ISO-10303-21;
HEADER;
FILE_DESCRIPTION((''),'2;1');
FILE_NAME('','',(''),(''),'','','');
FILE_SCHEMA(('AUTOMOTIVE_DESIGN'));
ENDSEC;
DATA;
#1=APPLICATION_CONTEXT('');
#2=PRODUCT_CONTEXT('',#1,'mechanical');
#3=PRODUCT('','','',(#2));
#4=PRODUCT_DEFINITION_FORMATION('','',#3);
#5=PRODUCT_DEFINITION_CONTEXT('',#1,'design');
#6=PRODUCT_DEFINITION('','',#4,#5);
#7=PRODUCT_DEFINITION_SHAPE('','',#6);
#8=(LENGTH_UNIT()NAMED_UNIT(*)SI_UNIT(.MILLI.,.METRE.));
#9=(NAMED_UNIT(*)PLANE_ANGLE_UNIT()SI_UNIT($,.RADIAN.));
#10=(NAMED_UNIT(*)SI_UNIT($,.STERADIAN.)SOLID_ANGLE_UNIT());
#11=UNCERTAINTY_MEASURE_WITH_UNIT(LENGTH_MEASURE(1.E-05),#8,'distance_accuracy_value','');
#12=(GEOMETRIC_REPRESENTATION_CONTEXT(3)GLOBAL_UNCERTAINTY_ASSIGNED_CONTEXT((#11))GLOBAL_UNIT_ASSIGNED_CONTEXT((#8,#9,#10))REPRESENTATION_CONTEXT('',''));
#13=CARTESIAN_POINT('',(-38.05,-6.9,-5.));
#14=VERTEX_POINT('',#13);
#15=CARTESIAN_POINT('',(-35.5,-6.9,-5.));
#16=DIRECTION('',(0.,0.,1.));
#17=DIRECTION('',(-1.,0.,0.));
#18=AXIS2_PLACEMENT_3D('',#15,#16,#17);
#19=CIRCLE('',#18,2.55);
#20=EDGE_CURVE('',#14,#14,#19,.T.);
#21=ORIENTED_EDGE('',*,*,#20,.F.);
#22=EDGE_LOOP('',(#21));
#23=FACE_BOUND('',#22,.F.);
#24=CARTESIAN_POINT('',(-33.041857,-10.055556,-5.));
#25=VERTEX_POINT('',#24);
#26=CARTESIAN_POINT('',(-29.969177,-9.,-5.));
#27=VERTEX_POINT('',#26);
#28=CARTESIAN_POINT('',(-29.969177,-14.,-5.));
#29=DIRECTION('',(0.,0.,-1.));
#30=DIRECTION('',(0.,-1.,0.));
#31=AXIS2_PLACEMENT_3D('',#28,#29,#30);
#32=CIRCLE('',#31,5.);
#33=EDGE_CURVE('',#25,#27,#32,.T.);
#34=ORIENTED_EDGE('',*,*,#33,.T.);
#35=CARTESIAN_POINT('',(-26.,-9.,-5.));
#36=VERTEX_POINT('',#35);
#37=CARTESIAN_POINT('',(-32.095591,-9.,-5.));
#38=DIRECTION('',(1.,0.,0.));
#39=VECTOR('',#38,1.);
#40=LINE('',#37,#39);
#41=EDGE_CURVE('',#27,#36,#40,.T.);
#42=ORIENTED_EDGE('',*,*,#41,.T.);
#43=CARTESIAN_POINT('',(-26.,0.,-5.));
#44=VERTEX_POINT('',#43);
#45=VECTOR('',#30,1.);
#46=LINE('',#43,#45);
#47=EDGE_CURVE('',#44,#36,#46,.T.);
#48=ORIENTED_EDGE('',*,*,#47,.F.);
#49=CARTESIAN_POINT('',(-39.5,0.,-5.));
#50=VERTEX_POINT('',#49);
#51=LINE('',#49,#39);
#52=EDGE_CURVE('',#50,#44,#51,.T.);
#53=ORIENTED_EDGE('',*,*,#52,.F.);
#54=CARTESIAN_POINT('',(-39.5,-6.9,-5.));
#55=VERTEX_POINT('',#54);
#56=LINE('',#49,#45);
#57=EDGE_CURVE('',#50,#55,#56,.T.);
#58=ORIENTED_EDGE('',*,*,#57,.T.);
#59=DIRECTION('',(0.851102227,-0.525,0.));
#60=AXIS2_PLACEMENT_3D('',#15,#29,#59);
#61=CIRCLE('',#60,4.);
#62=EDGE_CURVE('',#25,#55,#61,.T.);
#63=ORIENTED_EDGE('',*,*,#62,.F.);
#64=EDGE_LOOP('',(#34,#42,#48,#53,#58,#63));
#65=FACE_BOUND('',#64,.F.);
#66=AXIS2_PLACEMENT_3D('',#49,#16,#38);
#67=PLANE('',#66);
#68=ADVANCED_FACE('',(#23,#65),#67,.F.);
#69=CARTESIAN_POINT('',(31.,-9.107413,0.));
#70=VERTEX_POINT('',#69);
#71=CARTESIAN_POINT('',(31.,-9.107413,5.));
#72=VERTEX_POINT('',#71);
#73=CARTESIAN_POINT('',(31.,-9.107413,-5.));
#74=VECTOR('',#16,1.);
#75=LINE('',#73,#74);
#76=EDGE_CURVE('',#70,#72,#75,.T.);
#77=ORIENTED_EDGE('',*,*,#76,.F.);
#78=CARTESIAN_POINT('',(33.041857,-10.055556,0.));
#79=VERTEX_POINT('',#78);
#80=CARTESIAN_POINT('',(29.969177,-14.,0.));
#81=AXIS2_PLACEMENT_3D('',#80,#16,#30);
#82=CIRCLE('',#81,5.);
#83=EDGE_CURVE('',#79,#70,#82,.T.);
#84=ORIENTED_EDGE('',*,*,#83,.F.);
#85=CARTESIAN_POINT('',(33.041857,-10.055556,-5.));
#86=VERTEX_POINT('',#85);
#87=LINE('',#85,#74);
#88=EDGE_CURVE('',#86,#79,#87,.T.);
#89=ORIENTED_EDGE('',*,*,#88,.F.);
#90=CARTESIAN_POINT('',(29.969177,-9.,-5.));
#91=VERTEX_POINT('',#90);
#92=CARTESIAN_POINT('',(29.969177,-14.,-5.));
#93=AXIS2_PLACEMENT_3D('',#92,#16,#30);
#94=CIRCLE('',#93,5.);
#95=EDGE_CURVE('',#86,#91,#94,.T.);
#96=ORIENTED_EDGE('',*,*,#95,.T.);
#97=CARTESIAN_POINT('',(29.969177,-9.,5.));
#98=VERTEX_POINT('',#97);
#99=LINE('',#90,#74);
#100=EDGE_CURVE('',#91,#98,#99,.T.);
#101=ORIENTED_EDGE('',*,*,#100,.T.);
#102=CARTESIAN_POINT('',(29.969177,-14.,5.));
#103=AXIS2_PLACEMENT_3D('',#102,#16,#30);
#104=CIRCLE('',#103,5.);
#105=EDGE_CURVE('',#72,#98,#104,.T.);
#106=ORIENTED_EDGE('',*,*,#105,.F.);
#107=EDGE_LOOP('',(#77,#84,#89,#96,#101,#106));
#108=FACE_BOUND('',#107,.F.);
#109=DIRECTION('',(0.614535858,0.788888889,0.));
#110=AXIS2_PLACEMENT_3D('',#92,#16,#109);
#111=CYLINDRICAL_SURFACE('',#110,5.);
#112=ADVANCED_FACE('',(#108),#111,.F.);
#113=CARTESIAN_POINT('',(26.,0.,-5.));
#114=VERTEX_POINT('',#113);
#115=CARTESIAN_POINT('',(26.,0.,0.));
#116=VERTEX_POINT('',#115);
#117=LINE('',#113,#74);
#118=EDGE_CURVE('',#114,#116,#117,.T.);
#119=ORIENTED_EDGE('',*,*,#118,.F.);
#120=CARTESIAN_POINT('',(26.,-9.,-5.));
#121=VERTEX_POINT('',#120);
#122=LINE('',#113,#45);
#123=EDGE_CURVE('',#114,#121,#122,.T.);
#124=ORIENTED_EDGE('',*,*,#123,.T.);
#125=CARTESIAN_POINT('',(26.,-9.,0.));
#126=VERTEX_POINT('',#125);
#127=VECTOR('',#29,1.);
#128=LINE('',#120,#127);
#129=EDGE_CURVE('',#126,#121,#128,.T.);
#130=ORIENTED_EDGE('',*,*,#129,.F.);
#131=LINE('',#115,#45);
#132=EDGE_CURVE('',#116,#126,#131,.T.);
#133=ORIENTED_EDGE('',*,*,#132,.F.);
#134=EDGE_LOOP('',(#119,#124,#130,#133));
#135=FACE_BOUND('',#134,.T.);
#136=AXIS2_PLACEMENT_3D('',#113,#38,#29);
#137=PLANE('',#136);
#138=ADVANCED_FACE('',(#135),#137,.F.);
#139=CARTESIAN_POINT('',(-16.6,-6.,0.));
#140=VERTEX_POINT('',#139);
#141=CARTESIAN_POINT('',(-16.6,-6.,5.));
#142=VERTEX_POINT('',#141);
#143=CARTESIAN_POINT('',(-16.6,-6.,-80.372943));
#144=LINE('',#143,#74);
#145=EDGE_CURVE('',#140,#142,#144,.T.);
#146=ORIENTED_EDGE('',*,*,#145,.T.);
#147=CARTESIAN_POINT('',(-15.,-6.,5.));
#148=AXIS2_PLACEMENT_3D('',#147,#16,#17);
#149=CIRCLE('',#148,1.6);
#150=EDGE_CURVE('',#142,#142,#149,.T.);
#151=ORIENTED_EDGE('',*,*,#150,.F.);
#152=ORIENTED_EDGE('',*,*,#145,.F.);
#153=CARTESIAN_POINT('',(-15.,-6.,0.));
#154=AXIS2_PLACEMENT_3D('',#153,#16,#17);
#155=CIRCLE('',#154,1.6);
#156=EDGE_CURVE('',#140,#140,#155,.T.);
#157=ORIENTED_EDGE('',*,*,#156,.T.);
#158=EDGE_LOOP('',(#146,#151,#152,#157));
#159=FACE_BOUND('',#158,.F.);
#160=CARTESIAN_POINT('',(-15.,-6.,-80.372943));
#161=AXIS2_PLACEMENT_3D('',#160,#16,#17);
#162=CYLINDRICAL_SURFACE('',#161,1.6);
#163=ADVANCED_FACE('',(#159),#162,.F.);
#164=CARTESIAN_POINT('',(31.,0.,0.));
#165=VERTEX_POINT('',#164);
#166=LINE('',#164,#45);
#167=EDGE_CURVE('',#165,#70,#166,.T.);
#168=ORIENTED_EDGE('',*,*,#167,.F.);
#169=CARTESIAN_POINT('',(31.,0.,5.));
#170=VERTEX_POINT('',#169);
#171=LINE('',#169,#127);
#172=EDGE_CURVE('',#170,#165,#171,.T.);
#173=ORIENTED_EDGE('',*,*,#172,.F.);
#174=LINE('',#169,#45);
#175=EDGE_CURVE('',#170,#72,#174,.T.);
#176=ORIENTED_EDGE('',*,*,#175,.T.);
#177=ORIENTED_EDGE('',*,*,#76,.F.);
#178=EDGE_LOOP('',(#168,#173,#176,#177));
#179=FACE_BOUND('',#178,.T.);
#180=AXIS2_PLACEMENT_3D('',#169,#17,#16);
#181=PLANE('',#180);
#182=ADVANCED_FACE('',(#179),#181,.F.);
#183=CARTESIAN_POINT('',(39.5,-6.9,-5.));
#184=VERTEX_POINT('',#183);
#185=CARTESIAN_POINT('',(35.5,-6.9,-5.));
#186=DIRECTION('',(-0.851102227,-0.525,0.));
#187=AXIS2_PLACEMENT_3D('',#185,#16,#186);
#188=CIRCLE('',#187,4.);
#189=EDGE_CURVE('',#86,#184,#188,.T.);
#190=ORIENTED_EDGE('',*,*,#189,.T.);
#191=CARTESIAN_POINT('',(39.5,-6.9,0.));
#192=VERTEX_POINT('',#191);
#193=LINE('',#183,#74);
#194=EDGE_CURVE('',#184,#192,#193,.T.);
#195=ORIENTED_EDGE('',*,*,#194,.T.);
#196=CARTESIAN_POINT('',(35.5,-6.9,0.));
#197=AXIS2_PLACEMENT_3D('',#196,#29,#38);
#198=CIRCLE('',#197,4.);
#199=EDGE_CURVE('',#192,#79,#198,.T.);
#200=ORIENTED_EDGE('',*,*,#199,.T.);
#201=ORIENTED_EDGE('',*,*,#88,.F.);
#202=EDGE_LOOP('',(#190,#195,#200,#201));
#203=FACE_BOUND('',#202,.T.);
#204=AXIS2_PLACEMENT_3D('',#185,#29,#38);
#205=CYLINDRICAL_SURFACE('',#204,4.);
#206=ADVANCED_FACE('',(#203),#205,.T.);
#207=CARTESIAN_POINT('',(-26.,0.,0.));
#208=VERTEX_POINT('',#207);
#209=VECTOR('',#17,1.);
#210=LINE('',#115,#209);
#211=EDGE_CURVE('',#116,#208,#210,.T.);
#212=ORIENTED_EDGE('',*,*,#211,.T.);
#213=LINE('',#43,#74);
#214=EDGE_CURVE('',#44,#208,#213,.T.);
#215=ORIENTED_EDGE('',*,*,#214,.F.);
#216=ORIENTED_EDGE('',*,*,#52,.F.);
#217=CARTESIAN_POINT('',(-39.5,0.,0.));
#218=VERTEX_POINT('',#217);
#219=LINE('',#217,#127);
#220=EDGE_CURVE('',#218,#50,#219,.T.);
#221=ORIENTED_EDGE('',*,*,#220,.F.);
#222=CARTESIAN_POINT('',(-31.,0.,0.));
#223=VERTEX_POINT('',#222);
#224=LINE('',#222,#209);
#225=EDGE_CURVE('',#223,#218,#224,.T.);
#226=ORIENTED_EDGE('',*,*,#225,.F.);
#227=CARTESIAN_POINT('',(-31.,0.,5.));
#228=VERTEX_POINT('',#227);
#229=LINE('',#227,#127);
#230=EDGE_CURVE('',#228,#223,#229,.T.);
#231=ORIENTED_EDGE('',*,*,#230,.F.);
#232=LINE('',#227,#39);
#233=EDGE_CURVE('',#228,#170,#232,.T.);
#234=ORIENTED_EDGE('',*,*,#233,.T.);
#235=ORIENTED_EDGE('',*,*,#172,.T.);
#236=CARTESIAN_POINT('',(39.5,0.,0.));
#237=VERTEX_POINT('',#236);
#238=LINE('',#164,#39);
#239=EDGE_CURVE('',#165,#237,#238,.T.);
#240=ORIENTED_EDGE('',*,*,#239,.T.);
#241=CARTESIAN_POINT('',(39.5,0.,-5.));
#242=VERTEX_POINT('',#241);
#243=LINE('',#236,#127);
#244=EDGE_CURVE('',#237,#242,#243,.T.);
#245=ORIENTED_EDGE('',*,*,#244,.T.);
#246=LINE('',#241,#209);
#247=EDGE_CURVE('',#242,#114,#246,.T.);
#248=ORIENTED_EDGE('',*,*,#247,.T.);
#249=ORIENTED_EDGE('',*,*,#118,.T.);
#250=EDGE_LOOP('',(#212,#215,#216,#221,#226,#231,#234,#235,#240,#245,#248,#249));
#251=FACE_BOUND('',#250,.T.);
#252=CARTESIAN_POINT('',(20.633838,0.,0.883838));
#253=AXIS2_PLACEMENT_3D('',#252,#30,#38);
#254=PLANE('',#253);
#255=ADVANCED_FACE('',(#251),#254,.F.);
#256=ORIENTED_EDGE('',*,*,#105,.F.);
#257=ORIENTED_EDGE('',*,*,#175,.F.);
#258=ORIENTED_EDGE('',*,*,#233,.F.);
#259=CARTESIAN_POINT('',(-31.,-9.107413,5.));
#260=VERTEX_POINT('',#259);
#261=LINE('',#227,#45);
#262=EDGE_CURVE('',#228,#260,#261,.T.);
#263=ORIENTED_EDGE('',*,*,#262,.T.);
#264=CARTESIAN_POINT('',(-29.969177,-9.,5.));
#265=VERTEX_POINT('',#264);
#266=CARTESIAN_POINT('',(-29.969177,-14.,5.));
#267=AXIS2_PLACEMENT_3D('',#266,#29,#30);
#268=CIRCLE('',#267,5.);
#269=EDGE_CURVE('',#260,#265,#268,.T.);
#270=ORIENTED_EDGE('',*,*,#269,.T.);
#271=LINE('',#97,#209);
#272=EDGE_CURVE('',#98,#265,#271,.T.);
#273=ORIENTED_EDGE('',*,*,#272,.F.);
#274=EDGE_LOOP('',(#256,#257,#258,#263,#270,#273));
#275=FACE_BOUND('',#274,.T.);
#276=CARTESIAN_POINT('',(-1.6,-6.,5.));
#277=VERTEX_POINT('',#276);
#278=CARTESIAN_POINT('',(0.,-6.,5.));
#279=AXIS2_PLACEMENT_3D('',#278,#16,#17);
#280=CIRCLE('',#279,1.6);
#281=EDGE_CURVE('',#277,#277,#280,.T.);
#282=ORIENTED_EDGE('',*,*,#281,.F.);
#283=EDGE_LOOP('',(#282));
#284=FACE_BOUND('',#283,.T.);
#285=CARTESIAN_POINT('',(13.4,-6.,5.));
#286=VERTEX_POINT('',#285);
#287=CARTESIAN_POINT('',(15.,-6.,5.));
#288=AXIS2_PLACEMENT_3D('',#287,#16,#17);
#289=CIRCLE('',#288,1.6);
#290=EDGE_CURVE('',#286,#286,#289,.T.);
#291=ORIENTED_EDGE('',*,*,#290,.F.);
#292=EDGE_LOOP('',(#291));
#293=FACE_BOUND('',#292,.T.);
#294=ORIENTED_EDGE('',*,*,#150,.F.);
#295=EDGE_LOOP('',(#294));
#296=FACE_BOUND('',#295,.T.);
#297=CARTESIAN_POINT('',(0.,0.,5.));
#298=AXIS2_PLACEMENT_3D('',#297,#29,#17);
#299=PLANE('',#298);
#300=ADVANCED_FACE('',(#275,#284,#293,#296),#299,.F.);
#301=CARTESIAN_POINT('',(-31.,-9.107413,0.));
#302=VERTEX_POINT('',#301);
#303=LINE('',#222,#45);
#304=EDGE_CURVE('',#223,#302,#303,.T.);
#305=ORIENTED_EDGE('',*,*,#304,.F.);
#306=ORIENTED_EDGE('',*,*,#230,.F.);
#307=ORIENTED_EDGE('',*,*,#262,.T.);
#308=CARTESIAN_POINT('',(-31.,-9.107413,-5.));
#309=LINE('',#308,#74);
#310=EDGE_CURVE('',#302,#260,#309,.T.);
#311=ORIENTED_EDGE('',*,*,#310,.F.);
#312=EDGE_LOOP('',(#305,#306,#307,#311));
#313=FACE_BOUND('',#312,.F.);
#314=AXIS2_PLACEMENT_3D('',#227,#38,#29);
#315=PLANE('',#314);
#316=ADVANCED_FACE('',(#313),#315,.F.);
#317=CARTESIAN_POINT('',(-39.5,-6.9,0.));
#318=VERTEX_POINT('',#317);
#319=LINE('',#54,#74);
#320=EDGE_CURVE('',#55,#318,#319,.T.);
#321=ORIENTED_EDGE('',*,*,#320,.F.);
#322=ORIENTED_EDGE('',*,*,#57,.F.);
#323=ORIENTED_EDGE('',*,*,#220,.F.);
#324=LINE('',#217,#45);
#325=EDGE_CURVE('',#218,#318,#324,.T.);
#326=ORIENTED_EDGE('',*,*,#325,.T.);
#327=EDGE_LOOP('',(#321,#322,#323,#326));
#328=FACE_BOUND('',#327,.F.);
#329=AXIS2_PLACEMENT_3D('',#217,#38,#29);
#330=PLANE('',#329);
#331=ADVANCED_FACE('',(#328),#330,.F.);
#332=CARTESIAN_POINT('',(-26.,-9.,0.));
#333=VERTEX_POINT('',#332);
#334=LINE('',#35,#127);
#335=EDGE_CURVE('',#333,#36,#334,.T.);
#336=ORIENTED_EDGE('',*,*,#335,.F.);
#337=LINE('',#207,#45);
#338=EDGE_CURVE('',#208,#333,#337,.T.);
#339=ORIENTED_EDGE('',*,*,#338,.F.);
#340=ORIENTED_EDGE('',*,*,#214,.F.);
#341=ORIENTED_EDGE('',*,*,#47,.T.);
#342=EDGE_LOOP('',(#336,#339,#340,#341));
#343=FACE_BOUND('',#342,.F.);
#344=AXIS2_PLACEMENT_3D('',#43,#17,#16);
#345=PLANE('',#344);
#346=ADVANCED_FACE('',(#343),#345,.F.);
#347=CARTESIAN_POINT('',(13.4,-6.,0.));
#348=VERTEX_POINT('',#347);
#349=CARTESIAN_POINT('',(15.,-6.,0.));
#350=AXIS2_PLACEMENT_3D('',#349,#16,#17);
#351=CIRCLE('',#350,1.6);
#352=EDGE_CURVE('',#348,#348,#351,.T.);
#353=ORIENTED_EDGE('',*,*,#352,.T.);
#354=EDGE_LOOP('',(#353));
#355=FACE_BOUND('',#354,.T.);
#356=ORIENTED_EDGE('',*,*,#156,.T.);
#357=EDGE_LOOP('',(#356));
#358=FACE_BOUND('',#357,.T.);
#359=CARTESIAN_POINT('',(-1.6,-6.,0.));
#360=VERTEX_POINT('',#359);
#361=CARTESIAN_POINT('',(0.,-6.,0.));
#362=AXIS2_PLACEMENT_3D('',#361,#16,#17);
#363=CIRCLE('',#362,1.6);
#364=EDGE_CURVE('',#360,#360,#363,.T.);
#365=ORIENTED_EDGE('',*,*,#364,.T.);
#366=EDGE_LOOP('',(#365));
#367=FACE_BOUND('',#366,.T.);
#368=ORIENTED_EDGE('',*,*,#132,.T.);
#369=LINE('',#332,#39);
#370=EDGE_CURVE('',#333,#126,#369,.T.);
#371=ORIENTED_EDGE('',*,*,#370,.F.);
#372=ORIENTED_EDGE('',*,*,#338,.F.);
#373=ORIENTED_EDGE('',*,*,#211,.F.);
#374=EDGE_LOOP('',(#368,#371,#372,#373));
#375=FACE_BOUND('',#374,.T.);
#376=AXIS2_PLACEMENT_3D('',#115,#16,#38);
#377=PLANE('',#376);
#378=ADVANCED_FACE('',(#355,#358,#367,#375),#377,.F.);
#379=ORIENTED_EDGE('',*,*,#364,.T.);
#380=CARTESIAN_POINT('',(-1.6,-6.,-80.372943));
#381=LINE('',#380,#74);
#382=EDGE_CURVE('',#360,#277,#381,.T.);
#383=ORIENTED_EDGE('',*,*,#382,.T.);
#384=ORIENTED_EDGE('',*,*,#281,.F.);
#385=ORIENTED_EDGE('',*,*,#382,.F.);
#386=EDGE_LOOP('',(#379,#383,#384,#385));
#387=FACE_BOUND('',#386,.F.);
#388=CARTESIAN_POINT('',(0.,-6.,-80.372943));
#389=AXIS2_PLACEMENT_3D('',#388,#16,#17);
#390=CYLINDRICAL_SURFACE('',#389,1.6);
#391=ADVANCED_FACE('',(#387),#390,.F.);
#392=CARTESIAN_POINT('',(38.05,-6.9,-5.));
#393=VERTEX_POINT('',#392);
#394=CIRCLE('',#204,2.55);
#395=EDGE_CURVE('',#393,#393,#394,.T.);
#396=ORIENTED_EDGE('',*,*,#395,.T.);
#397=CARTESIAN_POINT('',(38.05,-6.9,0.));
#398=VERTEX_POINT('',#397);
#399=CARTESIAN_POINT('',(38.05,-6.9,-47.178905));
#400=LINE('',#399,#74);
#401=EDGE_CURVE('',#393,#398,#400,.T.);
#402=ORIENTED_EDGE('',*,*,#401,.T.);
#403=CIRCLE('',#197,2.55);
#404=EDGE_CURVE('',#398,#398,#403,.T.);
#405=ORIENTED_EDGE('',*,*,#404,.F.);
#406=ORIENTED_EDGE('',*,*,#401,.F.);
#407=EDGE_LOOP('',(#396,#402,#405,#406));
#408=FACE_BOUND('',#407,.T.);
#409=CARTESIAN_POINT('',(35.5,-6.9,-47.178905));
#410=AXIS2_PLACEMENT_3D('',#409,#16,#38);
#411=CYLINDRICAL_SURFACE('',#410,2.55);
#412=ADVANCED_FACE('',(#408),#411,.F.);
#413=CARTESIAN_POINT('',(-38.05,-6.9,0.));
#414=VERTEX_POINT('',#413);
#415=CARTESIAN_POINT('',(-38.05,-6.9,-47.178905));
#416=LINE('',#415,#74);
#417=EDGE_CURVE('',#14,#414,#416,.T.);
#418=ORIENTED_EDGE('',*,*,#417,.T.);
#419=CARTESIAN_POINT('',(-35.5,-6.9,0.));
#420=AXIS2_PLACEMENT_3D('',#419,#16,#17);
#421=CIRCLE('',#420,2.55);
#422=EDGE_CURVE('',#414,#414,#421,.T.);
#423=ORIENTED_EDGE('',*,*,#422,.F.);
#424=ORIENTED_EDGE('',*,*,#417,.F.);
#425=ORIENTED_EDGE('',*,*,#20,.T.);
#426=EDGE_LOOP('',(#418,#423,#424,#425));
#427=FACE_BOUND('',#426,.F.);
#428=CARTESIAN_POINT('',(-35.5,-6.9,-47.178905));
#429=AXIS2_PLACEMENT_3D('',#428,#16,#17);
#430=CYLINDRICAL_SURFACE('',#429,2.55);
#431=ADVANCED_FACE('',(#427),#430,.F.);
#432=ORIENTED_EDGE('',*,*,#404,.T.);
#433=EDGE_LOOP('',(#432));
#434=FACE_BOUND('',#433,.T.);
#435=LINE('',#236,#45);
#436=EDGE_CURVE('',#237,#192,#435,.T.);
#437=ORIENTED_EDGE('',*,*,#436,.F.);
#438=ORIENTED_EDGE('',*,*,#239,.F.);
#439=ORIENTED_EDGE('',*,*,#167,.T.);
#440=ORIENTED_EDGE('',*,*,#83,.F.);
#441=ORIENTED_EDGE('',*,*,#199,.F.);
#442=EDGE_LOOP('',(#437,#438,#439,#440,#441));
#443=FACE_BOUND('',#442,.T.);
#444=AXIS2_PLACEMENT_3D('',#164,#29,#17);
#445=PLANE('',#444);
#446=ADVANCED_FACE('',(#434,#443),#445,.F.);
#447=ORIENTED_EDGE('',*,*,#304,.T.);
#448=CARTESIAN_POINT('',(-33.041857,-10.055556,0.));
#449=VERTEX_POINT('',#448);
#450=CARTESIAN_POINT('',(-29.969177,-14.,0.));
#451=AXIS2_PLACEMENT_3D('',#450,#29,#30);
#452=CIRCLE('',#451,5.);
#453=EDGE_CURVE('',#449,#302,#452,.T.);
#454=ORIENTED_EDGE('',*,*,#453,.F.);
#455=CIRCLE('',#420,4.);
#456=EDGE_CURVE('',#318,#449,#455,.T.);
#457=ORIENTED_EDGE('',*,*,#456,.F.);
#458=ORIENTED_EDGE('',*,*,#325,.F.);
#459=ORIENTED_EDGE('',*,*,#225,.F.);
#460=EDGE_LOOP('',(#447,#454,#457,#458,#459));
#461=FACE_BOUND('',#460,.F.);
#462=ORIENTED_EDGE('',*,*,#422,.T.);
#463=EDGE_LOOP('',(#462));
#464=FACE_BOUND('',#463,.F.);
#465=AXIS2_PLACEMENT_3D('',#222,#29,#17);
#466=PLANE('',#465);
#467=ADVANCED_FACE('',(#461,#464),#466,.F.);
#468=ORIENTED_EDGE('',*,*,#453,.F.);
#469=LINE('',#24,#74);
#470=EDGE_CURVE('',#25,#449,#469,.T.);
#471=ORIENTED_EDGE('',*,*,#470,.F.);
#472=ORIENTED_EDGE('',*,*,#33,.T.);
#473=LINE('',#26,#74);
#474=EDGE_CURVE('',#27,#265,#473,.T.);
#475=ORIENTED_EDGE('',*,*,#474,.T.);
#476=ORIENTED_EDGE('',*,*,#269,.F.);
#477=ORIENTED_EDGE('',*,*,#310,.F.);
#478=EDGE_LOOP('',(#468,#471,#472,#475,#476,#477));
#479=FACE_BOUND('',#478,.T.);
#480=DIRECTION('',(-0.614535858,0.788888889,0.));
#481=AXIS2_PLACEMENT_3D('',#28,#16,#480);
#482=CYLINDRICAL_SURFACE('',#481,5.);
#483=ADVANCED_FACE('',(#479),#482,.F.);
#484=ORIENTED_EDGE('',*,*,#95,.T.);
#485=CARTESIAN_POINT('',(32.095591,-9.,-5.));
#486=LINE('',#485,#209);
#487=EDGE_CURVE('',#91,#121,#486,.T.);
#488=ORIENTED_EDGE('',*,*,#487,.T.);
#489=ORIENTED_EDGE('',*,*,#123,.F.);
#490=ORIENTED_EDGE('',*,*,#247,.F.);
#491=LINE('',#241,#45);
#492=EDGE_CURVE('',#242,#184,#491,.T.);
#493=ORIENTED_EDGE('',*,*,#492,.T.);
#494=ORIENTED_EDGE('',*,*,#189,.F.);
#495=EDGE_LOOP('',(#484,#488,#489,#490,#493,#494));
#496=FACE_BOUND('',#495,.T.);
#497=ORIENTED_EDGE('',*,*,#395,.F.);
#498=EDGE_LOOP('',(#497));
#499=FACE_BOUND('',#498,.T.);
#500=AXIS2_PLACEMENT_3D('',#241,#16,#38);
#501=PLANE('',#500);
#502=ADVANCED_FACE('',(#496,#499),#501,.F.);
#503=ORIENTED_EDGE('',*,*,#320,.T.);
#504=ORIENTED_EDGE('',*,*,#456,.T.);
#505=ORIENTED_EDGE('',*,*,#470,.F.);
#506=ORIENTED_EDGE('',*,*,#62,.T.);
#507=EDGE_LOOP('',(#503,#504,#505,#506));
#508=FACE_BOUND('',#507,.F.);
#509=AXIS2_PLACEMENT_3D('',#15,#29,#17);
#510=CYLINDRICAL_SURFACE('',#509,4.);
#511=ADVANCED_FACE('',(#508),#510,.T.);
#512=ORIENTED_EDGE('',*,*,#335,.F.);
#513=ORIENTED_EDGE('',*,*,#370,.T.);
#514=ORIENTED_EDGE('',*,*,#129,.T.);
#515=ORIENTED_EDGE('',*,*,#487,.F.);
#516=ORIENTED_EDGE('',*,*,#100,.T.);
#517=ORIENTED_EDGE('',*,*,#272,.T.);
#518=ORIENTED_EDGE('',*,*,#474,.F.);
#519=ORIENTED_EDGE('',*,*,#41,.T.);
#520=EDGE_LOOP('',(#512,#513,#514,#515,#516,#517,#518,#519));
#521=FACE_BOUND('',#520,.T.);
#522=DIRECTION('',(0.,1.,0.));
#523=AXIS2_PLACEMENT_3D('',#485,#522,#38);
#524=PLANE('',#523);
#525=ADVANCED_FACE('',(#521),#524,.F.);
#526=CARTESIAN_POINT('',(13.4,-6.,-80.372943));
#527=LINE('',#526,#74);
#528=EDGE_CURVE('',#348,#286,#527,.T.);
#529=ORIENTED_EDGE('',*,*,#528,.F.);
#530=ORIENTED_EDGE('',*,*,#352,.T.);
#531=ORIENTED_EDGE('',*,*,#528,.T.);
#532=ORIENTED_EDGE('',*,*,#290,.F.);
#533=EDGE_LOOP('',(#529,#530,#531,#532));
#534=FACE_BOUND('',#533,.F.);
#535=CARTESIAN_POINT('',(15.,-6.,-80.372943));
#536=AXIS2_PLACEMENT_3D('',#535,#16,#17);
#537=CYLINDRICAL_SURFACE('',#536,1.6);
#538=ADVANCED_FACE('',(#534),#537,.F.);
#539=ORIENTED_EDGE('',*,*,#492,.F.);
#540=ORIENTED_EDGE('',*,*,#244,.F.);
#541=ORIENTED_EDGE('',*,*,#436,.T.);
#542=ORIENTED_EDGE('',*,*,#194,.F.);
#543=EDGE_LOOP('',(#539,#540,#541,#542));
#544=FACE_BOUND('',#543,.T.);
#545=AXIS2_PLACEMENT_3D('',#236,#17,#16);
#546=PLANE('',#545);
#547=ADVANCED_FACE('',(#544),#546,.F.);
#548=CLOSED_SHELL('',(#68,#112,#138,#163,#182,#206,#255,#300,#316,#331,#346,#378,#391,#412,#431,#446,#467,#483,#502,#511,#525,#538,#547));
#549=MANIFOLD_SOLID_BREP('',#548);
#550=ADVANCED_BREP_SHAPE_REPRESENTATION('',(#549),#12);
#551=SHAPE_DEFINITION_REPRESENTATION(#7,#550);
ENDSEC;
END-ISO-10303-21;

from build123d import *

# Parameters (mm, degrees)
F1_DEPTH = 10.9
F3_DEPTH = 10
F4_R     = 5
F6_D     = 5.1
F9_D     = 3.2


with BuildPart() as f1:
    # F0 (on Front) → F1 (new body)
    with BuildSketch(Plane.XZ):
        Polygon((-26, 0), (0, 0), (0, 5), (-31, 5), (-31, 0), (-39.5, 0), (-39.5, -5), (-26, -5), align=None)
    extrude(amount=F1_DEPTH)

    # F2 (on face) → F3 (cut, through all)
    with BuildSketch(Plane(origin=(0, 0, -5), x_dir=(1, 0, 0), z_dir=(0, 0, -1))):
        with BuildLine():
            ThreePointArc((-39.5, 6.9), (-36.5914129318, 10.7482226823), (-32.0955910939, 9))
            Line((-32.0955910939, 9), (0, 9))
            Line((0, 9), (0, 12.9))
            Line((0, 12.9), (-39.5, 12.9))
            Line((-39.5, 12.9), (-39.5, 6.9))
        make_face()
    extrude(amount=-F3_DEPTH, mode=Mode.SUBTRACT)

    # F4
    f4_edges = [f1.edges().sort_by_distance(p)[0] for p in [
        (-32.095591, -9, -2.5),
    ]]
    fillet(f4_edges, radius=F4_R)

    # F6 (through all)
    with Locations(Plane(origin=(0, 0, -5), x_dir=(1, 0, 0), z_dir=(0, 0, -1))):
        with Locations((-35.5, 6.9)):
            Hole(F6_D / 2)

    # F7: F1 across face


with BuildPart() as f1_1:
    add(f1.part)
    add(f1.part.mirror(Plane(origin=(0, -4.5, 2.5), x_dir=(0, 1, 0), z_dir=(1, 0, 0))))

    # F9 (through all)
    with Locations(Plane(origin=(0, 0, 0), x_dir=(1, 0, 0), z_dir=(0, 0, -1))):
        with Locations((-15, 6), (0, 6), (15, 6)):
            Hole(F9_D / 2)


solid = f1_1.part
